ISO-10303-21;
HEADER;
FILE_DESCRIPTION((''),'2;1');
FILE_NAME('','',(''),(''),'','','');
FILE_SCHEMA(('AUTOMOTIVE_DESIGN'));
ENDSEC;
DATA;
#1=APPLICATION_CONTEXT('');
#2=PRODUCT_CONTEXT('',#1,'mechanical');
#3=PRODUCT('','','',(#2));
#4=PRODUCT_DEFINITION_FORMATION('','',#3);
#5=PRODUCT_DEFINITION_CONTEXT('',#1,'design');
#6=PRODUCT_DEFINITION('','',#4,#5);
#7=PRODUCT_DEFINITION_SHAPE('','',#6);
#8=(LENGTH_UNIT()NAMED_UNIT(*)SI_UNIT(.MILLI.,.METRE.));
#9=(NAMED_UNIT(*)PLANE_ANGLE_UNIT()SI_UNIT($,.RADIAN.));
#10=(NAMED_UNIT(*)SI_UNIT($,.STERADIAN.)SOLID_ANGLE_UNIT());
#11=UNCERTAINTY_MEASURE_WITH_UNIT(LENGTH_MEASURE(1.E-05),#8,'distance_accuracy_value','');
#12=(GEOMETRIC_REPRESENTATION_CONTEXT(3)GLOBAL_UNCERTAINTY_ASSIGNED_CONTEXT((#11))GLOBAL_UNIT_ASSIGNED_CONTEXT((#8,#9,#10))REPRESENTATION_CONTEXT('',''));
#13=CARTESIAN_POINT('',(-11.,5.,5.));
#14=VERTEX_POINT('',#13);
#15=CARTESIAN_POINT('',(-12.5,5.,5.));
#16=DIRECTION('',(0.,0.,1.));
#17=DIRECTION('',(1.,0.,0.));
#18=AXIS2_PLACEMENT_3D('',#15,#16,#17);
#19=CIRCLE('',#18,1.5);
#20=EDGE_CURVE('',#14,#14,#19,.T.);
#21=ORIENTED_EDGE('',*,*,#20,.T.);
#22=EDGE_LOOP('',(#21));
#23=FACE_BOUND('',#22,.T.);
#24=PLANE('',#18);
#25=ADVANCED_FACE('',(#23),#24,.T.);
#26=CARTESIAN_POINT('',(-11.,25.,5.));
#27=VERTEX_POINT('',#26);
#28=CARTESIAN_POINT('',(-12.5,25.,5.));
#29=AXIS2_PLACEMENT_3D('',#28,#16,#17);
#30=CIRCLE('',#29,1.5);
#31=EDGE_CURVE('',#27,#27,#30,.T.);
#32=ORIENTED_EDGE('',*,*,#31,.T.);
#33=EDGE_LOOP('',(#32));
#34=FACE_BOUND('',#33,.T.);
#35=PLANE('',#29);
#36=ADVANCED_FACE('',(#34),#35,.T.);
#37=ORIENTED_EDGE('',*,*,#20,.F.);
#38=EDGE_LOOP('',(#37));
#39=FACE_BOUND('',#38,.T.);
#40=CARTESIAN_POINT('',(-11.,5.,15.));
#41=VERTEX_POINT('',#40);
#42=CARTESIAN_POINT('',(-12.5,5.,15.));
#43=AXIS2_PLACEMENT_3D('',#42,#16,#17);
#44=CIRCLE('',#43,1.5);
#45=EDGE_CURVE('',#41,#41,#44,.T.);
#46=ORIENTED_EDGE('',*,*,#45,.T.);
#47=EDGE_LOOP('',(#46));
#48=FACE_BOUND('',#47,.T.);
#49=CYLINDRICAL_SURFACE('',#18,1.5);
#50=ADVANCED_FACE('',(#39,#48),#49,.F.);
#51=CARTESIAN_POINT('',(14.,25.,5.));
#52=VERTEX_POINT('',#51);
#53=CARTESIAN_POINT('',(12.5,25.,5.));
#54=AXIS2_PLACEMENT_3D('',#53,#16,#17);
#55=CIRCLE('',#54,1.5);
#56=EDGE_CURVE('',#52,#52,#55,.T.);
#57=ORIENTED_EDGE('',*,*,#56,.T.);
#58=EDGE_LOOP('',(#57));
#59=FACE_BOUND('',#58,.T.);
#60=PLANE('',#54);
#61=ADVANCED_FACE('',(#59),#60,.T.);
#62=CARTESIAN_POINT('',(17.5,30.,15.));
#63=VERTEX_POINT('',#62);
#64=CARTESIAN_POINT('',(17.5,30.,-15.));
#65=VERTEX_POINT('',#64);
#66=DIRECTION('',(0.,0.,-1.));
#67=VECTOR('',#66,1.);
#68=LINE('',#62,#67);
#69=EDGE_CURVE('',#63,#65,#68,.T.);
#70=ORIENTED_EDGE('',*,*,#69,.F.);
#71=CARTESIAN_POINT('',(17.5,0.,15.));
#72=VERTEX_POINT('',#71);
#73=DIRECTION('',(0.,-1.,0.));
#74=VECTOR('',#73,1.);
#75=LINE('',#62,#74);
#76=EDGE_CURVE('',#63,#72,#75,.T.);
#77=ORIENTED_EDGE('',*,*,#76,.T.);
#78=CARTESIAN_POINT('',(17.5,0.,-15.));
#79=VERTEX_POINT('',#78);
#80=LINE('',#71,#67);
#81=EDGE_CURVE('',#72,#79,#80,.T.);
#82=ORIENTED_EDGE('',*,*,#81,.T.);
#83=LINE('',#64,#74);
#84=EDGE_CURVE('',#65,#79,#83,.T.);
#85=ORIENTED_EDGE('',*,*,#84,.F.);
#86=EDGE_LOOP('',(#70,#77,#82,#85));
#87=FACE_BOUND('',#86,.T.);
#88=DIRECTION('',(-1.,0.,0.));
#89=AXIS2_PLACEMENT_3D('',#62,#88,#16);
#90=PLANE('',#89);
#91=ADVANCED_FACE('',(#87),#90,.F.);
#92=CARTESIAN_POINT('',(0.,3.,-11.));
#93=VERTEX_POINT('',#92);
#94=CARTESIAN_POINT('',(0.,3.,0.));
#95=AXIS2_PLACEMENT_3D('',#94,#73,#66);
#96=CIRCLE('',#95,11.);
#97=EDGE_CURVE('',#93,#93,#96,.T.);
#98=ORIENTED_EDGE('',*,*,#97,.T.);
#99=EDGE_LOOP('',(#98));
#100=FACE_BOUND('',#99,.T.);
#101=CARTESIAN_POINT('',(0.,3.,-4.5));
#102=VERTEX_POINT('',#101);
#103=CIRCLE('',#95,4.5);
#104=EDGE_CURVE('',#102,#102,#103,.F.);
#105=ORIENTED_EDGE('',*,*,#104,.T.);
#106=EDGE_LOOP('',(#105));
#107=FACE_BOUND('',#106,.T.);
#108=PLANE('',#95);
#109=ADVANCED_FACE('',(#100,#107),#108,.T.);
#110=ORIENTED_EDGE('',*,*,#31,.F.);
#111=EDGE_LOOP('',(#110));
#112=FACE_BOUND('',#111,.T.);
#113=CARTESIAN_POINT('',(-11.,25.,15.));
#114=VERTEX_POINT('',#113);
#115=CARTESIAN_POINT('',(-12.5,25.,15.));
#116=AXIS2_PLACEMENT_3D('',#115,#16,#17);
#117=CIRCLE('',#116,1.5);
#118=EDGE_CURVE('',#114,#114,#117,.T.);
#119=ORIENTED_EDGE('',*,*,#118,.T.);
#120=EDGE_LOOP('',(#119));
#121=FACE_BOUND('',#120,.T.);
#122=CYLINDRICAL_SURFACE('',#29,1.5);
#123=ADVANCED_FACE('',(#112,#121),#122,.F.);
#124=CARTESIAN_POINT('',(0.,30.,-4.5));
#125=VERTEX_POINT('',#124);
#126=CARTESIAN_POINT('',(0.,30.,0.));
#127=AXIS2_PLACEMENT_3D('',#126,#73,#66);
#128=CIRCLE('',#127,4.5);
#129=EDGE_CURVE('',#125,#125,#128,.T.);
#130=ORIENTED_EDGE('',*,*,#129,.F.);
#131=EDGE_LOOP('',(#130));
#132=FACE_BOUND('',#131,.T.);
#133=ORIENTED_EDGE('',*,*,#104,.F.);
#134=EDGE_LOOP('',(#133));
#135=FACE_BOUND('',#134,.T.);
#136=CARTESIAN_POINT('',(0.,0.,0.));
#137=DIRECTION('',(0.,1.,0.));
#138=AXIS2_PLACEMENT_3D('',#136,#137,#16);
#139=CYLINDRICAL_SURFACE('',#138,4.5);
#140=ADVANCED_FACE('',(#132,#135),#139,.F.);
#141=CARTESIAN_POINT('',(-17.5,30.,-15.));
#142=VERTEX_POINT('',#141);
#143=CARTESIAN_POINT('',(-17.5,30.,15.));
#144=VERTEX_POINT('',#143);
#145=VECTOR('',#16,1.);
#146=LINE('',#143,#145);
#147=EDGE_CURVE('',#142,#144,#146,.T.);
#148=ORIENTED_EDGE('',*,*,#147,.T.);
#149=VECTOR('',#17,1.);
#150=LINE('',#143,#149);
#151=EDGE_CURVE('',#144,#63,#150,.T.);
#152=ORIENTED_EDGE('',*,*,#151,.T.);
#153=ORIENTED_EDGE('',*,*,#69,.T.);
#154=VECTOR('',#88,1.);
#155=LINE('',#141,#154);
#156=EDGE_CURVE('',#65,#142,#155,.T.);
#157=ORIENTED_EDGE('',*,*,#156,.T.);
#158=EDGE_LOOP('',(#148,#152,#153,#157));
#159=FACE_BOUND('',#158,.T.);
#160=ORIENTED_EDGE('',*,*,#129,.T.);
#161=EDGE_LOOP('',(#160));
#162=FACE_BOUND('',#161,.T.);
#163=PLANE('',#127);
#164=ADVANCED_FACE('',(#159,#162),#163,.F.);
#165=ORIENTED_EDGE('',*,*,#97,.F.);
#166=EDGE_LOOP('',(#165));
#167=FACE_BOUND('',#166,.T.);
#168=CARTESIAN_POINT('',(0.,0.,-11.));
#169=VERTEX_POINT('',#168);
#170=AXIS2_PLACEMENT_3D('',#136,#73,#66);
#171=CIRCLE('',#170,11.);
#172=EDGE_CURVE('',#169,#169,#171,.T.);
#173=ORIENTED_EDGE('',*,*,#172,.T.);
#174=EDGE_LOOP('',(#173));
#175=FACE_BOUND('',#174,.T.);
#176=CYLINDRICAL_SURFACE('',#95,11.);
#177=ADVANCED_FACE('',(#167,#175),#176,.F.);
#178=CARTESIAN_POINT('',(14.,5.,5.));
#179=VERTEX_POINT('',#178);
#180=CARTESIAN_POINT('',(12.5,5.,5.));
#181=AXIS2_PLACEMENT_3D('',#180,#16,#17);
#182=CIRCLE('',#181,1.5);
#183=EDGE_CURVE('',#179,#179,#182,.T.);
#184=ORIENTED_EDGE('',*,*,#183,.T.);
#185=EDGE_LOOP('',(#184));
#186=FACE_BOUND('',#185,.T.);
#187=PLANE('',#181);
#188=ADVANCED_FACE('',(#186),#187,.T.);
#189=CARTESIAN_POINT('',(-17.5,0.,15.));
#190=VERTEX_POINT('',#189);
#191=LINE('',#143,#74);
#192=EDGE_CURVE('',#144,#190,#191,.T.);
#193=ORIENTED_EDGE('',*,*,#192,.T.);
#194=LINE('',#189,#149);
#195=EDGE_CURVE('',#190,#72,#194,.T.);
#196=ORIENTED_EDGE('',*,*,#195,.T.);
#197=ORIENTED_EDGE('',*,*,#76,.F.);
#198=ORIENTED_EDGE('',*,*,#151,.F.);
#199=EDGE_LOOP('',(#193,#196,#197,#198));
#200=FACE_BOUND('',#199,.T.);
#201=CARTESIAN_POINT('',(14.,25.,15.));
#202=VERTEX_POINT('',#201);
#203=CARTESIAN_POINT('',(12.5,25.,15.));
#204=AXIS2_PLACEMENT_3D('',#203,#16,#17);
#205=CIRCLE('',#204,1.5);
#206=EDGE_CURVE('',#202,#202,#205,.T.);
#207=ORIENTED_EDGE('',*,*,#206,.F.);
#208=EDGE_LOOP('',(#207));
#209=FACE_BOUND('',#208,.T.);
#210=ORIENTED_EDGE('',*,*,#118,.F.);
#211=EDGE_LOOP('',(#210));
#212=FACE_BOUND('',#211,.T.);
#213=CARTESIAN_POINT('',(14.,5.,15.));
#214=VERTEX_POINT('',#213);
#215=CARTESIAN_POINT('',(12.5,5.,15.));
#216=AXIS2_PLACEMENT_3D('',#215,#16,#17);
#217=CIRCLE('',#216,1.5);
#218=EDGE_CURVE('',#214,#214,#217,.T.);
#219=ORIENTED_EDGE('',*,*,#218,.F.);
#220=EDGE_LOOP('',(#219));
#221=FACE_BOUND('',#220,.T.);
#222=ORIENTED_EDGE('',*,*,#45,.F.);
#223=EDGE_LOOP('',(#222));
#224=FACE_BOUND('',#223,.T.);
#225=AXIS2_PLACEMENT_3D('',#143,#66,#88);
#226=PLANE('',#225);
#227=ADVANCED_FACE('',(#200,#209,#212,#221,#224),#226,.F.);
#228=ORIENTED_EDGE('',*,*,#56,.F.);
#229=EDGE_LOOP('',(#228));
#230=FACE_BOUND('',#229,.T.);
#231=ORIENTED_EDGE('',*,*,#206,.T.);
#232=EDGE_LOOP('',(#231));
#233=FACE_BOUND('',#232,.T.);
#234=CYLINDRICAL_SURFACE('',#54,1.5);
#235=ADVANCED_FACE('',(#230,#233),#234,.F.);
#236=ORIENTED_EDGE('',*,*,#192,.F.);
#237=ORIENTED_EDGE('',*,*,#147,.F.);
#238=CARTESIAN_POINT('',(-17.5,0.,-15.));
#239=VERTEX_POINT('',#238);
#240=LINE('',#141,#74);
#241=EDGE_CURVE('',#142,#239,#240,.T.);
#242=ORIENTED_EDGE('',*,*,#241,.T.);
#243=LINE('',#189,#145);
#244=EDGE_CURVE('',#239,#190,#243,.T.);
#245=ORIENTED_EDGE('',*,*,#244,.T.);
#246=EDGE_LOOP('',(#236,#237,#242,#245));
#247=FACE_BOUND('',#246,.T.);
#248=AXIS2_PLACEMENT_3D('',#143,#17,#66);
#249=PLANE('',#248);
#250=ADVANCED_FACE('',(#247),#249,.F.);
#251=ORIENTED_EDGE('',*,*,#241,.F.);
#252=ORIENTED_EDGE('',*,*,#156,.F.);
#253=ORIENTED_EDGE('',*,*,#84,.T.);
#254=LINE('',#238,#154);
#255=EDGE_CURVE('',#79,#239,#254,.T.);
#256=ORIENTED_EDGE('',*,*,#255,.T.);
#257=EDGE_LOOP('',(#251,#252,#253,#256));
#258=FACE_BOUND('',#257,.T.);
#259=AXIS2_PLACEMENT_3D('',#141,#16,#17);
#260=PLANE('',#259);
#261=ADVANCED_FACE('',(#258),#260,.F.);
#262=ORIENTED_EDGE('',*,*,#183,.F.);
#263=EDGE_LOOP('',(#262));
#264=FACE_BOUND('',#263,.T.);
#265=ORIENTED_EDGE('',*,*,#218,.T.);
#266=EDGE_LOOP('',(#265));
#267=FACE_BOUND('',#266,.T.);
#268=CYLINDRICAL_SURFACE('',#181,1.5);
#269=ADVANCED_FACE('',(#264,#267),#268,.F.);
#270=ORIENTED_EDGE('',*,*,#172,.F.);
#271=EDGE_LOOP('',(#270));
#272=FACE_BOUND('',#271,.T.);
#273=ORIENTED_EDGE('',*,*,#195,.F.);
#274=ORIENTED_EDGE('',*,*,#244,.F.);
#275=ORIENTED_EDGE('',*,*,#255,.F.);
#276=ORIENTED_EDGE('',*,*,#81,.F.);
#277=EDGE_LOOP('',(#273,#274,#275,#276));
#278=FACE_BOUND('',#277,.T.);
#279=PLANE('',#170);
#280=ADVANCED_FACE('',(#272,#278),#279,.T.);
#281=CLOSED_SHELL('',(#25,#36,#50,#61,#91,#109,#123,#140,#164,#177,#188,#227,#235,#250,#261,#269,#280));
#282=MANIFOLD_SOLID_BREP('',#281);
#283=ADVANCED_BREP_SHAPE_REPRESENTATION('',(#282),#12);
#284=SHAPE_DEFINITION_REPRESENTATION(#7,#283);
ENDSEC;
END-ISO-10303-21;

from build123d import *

# Parameters (mm, degrees)
SKETCH1_W               = 35
SKETCH1_H               = 30
BOSS_EXTRUDE1_DEPTH     = 30
SKETCH2_R               = 1.5
CUT_EXTRUDE1_DEPTH      = 10
SKETCH5_R               = 11
CUT_EXTRUDE4_DEPTH      = 3
CUT_EXTRUDE5_DEPTH      = 36.5
CUT_EXTRUDE5_DEPTH_BACK = 36.5
SKETCH6_R               = 4.5


with BuildPart() as part:
    # Sketch1 → Boss-Extrude1 (new body)
    with BuildSketch(Plane(origin=(0, 0, 0), x_dir=(1, 0, 0), z_dir=(0, 1, 0))):
        Rectangle(SKETCH1_W, SKETCH1_H)
    extrude(amount=BOSS_EXTRUDE1_DEPTH)

    # Sketch2 → Cut-Extrude1 (cut)
    with BuildSketch(Plane.XY.offset(15)):
        with Locations((-12.5, 25)):
            Circle(SKETCH2_R)
        with Locations((12.5, 25)):
            Circle(SKETCH2_R)
        with Locations((12.5, 5)):
            Circle(SKETCH2_R)
        with Locations((-12.5, 5)):
            Circle(SKETCH2_R)
    extrude(amount=-CUT_EXTRUDE1_DEPTH, mode=Mode.SUBTRACT)

    # Sketch5 → Cut-Extrude4 (cut)
    with BuildSketch(Plane.XZ):
        with Locations(Location((0, 0, 0), (0, 0, 270))):
            Circle(SKETCH5_R)
    extrude(amount=-CUT_EXTRUDE4_DEPTH, mode=Mode.SUBTRACT)

    # Sketch6 → Cut-Extrude5 (cut, two sides: drawn at the far end of the back side and taken through both)
    with BuildSketch(Plane(origin=(0, 3, 0), x_dir=(-1, 0, 0), z_dir=(0, -1, 0)).offset(-CUT_EXTRUDE5_DEPTH_BACK)):
        with Locations(Location((0, 0, 0), (0, 0, 90))):
            Circle(SKETCH6_R)
    extrude(amount=CUT_EXTRUDE5_DEPTH + CUT_EXTRUDE5_DEPTH_BACK, mode=Mode.SUBTRACT)


solid = part.part
